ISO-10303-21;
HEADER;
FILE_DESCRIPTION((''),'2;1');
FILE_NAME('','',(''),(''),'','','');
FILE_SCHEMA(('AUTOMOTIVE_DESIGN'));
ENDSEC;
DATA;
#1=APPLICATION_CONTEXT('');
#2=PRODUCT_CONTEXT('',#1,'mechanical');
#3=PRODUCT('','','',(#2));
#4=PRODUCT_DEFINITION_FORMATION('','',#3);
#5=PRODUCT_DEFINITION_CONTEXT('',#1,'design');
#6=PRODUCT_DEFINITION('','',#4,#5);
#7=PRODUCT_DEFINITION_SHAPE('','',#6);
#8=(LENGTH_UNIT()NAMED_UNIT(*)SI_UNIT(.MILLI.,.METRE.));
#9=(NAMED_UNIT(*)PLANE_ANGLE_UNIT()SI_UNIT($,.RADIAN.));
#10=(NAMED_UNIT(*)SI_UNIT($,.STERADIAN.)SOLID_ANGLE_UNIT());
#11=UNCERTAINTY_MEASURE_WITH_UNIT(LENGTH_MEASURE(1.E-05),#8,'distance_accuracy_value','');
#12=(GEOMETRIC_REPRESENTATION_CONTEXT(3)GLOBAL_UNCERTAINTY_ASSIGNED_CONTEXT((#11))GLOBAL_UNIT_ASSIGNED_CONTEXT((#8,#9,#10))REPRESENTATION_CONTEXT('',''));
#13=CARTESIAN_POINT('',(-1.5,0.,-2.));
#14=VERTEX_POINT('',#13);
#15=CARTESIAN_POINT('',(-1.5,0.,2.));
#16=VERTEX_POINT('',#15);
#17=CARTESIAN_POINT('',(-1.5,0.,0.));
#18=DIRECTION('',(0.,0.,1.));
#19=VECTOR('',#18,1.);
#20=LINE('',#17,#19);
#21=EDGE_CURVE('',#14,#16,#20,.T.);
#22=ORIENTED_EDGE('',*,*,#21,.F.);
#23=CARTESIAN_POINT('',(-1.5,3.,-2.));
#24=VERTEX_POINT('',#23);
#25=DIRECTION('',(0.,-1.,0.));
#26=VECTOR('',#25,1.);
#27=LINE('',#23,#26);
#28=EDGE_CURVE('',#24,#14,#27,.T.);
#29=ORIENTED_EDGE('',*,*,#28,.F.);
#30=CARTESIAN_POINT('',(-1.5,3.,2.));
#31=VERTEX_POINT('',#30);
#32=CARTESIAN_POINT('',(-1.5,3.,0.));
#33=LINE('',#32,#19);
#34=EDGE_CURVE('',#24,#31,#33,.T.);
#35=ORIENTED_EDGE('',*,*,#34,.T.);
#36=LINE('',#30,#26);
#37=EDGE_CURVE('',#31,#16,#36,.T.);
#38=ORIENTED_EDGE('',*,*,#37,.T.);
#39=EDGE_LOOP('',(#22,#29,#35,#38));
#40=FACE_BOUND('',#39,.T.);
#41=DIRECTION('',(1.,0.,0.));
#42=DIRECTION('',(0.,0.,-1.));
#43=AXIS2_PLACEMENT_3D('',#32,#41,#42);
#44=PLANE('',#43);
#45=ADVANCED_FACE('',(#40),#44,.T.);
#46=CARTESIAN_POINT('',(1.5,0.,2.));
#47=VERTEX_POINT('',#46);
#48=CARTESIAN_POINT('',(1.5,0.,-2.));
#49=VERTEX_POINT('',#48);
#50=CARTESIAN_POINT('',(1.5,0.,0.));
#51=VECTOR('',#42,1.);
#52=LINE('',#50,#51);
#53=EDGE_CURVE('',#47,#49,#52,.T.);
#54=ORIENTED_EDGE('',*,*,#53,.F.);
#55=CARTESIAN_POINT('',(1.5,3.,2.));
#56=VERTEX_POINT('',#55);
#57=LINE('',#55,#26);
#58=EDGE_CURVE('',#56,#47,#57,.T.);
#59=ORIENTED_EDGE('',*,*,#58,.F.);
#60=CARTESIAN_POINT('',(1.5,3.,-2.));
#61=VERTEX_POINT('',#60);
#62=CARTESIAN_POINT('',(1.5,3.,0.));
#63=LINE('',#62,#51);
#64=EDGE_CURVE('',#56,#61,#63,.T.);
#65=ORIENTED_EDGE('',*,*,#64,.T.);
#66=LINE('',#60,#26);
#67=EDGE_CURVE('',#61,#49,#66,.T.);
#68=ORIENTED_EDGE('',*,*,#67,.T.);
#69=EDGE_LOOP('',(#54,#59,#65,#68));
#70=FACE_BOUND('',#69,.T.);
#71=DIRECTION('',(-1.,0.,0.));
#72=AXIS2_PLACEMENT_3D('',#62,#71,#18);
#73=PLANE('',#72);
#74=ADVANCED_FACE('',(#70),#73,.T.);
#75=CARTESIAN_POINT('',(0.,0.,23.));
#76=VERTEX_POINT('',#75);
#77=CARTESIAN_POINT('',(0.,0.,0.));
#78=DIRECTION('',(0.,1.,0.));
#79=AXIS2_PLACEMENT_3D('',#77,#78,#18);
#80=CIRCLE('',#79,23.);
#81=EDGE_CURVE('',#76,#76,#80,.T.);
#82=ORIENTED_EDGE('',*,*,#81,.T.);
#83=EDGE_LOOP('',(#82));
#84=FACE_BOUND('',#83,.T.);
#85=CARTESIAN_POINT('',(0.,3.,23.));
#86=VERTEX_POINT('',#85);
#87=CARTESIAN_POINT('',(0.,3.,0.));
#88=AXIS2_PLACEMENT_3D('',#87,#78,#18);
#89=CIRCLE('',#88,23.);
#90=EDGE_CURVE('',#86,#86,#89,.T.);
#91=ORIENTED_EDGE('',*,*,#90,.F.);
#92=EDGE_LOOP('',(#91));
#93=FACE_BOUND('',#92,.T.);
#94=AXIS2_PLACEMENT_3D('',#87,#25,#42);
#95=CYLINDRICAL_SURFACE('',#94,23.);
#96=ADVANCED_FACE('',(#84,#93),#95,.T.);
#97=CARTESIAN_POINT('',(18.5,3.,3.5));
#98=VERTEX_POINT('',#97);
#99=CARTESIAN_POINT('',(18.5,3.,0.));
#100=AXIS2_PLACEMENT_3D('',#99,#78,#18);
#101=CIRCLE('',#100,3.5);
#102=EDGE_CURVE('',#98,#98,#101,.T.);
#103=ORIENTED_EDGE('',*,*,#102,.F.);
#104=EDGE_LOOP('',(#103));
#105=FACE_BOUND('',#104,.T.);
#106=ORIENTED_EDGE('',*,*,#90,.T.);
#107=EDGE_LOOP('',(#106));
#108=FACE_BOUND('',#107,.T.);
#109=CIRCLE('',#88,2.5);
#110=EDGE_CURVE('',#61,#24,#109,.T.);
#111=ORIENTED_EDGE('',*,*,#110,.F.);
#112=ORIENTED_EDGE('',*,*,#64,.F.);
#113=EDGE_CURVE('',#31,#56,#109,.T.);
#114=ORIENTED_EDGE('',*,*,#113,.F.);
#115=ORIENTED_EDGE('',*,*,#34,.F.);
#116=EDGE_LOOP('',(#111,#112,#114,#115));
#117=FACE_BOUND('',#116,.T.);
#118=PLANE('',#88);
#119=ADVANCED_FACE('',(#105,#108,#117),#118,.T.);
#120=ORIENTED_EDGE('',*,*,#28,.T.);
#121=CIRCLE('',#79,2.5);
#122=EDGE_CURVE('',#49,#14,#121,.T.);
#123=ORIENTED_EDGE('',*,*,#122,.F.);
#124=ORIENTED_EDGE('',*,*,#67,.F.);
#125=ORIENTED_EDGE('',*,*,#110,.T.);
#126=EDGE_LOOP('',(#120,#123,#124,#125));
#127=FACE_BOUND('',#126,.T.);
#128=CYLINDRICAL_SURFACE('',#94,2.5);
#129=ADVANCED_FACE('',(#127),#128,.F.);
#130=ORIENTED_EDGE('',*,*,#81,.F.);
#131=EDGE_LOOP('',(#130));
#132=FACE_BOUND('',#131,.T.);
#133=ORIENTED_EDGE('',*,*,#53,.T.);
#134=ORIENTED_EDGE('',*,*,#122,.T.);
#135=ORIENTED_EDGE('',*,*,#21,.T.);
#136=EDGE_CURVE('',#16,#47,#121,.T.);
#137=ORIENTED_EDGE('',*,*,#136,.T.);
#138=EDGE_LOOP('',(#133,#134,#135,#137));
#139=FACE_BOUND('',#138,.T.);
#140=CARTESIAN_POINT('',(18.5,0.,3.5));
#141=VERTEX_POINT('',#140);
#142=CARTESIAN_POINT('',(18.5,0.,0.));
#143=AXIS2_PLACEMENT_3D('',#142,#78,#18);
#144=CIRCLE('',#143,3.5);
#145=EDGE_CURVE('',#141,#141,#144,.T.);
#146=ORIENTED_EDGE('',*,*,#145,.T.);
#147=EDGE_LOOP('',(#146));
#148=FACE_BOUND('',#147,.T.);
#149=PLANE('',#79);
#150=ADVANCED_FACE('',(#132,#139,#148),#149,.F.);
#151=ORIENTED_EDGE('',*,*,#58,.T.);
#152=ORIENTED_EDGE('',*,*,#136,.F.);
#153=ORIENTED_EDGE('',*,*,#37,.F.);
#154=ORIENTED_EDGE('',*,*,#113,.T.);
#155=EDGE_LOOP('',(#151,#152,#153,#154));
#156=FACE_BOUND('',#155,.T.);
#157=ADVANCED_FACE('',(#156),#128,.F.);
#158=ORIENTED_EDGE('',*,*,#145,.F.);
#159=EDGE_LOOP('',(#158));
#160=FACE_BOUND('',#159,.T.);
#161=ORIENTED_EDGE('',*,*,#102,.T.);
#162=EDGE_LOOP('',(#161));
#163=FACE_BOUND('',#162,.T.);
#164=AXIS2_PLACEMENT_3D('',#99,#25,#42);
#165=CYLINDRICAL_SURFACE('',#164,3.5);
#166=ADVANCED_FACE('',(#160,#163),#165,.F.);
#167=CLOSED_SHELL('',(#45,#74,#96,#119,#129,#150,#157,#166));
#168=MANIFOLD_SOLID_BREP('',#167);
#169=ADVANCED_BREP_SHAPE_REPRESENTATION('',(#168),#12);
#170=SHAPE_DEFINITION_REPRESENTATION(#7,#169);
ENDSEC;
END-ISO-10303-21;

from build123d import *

# Parameters (mm, degrees)
CROQUIS1_R              = 23
CROQUIS1_R_2            = 3.5
SALIENTE_EXTRUIR1_DEPTH = 3


with BuildPart() as part:
    # Croquis1 → Saliente-Extruir1 (new body)
    with BuildSketch(Plane(origin=(0, 0, 0), x_dir=(1, 0, 0), z_dir=(0, 1, 0))):
        with Locations(Location((0, 0, 0), (0, 0, 270))):
            Circle(CROQUIS1_R)
        with BuildLine():
            Line((1.5, 2), (1.5, -2))
            ThreePointArc((1.5, -2), (0, -2.5), (-1.5, -2))
            Line((-1.5, -2), (-1.5, 2))
            ThreePointArc((-1.5, 2), (0, 2.5), (1.5, 2))
        make_face(mode=Mode.SUBTRACT)
        with Locations(Location((18.5, 0, 0), (0, 0, 270))):
            Circle(CROQUIS1_R_2, mode=Mode.SUBTRACT)
    extrude(amount=SALIENTE_EXTRUIR1_DEPTH)


solid = part.part
